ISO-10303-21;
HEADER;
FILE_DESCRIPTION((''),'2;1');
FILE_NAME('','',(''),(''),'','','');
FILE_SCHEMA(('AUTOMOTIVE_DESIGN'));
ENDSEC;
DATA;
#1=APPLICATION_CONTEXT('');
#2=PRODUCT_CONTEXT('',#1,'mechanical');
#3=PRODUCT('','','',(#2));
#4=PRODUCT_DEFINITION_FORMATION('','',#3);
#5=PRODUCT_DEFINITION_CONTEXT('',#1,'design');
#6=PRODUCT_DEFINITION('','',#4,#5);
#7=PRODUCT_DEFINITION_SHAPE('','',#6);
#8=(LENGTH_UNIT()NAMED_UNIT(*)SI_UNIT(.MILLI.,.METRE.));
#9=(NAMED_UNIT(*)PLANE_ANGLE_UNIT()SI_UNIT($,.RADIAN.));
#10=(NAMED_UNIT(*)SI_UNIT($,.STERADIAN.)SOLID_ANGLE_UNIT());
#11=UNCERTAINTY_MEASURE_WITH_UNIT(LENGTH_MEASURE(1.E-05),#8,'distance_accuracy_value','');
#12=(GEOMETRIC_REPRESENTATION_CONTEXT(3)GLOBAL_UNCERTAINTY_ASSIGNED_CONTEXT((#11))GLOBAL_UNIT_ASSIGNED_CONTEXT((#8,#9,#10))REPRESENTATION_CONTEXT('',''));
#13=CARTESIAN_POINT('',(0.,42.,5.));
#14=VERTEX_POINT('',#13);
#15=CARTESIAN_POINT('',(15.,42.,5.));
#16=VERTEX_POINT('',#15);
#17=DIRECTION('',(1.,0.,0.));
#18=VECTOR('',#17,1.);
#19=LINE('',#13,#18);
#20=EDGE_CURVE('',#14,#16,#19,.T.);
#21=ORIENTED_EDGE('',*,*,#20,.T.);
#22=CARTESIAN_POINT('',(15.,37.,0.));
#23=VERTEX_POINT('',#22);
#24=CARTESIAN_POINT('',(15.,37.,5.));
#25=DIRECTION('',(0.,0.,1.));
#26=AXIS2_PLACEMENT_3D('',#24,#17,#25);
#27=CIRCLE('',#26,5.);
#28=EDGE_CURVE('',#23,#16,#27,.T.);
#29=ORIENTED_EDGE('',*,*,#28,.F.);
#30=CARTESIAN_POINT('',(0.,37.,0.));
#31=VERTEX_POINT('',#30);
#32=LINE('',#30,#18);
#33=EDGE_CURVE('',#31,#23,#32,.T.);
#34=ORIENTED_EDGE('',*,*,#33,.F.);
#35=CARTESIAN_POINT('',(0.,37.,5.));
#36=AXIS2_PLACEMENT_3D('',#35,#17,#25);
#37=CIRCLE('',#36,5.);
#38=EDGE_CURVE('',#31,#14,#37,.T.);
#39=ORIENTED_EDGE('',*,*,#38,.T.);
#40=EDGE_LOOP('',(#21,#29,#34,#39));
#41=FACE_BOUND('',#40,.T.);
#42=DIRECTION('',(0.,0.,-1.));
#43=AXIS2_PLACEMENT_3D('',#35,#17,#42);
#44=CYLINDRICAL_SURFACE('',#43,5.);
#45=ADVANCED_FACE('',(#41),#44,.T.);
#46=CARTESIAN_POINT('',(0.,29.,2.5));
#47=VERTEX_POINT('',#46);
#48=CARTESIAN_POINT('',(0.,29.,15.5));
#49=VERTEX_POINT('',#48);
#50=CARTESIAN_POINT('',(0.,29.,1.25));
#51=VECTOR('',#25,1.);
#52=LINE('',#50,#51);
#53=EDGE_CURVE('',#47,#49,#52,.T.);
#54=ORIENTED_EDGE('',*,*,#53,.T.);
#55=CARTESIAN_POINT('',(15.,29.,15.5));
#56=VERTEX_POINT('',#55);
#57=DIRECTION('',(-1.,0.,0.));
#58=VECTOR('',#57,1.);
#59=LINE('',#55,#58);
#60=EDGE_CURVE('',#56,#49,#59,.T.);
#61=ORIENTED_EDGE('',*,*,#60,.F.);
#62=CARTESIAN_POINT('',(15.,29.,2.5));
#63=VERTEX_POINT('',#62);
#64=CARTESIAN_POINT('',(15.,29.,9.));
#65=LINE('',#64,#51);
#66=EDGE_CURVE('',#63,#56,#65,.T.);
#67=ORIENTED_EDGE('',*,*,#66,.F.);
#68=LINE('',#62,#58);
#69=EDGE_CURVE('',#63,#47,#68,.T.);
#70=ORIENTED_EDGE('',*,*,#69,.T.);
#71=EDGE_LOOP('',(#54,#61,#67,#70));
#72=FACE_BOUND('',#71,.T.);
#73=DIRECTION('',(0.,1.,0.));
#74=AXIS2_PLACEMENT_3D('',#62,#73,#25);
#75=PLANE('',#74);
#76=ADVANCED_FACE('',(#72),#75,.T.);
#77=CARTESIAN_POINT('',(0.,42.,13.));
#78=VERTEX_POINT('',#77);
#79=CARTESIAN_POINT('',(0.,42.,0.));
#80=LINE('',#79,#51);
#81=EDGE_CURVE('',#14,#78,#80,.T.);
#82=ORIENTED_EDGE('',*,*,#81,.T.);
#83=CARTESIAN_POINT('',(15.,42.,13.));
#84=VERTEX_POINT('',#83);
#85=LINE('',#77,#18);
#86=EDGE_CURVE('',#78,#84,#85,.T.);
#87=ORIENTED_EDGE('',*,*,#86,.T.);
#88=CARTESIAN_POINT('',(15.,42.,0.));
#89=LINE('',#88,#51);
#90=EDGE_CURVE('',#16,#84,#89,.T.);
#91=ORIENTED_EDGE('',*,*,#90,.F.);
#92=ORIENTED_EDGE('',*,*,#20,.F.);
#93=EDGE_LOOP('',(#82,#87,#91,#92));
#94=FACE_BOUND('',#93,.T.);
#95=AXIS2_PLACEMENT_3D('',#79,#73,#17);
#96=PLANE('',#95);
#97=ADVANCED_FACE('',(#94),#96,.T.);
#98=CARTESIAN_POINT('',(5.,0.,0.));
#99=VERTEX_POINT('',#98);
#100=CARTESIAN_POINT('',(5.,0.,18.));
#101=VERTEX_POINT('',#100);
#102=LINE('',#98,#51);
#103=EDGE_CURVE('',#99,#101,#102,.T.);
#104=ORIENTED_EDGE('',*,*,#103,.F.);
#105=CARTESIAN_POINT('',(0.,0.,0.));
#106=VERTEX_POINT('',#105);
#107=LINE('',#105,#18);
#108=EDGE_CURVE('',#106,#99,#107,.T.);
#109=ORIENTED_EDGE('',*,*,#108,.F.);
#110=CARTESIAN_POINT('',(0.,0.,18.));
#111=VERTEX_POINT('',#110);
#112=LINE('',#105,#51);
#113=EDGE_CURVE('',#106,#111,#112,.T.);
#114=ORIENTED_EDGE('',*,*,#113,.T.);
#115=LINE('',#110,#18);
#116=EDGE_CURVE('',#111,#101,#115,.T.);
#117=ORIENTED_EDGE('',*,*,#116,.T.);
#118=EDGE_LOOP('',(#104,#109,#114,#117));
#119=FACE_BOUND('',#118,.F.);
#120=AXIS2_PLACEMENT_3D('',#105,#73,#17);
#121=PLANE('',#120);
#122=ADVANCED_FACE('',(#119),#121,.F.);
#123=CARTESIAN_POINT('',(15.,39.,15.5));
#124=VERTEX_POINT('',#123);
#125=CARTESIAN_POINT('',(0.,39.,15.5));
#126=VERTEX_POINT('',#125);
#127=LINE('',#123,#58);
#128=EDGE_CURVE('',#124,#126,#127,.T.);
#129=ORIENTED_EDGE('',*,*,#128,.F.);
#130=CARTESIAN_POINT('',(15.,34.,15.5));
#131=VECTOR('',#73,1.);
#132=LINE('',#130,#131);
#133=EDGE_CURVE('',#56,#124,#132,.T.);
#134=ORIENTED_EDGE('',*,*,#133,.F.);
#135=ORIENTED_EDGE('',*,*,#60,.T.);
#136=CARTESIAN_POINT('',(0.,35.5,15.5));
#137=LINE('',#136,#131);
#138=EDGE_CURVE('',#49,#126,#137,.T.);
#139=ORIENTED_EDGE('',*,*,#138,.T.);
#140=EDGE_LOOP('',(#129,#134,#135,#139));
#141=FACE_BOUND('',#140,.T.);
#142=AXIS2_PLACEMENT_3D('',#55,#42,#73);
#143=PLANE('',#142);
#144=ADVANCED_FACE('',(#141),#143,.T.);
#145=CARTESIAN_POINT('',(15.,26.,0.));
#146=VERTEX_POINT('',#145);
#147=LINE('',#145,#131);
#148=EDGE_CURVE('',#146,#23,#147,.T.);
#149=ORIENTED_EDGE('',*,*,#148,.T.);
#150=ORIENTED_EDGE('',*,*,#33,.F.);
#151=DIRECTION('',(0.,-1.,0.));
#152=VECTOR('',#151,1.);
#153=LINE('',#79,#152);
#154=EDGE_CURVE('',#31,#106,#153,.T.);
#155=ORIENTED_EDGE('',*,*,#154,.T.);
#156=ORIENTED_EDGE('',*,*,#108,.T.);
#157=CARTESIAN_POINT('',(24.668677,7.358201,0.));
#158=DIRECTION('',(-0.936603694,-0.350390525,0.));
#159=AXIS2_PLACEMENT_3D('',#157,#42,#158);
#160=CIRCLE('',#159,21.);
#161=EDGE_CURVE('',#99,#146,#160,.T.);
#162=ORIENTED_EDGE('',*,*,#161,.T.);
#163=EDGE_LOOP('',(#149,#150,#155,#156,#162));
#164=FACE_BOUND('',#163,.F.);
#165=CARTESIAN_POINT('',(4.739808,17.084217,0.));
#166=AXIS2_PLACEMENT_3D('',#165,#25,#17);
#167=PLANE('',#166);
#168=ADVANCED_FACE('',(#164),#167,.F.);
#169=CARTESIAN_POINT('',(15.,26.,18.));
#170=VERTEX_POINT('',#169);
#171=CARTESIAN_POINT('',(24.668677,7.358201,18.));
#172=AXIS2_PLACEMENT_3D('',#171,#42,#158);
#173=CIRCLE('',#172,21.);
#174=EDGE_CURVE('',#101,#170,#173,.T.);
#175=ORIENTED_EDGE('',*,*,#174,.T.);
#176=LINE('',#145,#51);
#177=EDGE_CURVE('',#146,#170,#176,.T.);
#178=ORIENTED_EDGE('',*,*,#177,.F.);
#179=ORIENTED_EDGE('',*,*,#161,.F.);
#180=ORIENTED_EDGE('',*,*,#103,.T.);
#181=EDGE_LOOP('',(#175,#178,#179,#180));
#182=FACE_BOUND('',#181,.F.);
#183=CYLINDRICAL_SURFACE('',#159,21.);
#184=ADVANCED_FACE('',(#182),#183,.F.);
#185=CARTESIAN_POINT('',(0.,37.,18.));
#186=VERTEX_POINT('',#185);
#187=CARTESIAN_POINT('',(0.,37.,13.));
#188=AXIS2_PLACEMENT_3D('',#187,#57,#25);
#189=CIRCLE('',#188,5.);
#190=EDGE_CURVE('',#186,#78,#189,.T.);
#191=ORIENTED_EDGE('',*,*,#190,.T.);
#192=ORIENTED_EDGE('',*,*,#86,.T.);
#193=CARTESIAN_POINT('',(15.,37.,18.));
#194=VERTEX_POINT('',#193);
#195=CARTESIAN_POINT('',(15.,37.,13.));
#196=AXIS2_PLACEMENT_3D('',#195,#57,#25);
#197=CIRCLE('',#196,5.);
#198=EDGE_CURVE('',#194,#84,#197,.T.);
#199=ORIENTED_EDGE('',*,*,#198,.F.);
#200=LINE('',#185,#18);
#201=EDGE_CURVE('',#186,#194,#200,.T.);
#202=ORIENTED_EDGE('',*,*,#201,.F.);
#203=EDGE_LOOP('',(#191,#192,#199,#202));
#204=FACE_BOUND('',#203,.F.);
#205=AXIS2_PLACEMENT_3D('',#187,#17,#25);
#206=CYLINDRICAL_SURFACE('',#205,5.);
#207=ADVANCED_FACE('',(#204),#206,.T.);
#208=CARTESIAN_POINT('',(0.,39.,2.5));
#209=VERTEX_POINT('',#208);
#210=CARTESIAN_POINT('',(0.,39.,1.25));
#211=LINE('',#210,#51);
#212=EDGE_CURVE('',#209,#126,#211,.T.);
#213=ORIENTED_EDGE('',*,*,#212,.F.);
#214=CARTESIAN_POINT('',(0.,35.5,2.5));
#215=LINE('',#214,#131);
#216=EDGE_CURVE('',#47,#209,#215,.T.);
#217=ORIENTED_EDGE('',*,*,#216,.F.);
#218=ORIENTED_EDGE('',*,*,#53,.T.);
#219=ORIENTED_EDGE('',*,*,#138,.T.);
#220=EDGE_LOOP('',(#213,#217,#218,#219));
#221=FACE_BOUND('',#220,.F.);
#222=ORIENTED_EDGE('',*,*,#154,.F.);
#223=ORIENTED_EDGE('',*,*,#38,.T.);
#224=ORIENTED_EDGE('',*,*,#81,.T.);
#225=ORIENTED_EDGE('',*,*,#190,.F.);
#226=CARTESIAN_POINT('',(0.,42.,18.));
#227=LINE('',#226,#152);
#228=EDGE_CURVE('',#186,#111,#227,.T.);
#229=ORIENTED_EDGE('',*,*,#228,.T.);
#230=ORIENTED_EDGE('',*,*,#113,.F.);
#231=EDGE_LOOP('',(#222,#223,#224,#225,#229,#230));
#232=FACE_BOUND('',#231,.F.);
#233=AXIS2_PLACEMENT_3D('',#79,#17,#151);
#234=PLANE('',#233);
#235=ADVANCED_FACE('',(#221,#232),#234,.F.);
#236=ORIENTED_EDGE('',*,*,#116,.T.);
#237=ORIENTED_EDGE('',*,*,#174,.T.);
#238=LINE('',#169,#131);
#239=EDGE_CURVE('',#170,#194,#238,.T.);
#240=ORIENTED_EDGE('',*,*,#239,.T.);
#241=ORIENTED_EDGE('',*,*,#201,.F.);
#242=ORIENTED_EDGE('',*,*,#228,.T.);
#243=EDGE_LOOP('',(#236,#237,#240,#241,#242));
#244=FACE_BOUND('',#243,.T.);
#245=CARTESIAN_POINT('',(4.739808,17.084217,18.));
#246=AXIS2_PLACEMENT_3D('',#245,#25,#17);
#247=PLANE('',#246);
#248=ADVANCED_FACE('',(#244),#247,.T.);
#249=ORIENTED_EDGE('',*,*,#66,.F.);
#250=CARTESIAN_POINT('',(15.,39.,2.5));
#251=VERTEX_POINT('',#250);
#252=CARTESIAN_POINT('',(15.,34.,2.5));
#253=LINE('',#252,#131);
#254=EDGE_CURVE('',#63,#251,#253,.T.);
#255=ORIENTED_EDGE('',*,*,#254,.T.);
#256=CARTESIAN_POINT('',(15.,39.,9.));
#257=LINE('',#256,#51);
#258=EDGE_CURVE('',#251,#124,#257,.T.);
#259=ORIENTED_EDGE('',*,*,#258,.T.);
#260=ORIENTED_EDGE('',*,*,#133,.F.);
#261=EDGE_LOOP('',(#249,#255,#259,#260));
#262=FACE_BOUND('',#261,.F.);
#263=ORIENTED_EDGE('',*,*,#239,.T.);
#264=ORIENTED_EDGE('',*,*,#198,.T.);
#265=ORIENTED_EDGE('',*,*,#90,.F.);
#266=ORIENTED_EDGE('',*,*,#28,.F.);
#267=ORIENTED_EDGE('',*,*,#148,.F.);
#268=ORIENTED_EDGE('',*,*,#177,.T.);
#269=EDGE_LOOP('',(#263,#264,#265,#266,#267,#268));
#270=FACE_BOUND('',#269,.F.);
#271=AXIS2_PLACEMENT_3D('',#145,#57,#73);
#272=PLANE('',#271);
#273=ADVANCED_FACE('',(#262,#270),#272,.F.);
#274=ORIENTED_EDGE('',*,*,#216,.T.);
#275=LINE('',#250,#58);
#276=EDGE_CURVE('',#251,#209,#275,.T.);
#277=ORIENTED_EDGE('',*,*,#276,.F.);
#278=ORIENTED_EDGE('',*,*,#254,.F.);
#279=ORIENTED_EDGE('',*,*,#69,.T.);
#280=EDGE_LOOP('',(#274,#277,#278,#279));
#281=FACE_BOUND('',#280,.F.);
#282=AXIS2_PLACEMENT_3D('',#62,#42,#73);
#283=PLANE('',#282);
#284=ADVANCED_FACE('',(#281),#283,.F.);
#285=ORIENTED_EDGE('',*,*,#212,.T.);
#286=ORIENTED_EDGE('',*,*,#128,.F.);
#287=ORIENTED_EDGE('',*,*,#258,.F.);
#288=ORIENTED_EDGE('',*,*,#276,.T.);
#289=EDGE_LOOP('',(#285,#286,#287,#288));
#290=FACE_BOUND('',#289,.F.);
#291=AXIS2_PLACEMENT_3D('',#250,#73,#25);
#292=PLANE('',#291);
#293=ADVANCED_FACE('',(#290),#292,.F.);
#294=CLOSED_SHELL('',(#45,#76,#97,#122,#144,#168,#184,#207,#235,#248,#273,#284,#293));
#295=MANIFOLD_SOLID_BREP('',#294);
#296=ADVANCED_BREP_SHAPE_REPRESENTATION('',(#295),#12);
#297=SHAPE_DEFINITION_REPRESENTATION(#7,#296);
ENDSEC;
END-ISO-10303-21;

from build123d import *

# Parameters (mm, degrees)
F0_W     = 15
F0_H     = 12
F1_DEPTH = 18
F2_W     = 10
F2_H     = 13
F3_DEPTH = 25
F4_R     = 5


with BuildPart() as f1:
    # F0 (on Top) → F1 (new body)
    with BuildSketch(Plane.XY):
        with BuildLine():
            Line((0, 30), (0, 0))
            Line((0, 0), (5, 0))
            ThreePointArc((5, 0), (5.06842, 14.896762), (15, 26))
            Line((15, 26), (15, 30))
            Line((15, 30), (0, 30))
        make_face()
        with Locations((7.5, 36)):
            Rectangle(F0_W, F0_H)
    extrude(amount=F1_DEPTH)

    # F2 (on face) → F3 (cut)
    with BuildSketch(Plane.YZ.offset(15)):
        with Locations((34, 9)):
            Rectangle(F2_W, F2_H)
    extrude(amount=-F3_DEPTH, mode=Mode.SUBTRACT)

    # F4
    f4_edges = [f1.edges().sort_by_distance(p)[0] for p in [
        (7.5, 42, 18),
        (7.5, 42, 0),
    ]]
    fillet(f4_edges, radius=F4_R)


solid = f1.part
